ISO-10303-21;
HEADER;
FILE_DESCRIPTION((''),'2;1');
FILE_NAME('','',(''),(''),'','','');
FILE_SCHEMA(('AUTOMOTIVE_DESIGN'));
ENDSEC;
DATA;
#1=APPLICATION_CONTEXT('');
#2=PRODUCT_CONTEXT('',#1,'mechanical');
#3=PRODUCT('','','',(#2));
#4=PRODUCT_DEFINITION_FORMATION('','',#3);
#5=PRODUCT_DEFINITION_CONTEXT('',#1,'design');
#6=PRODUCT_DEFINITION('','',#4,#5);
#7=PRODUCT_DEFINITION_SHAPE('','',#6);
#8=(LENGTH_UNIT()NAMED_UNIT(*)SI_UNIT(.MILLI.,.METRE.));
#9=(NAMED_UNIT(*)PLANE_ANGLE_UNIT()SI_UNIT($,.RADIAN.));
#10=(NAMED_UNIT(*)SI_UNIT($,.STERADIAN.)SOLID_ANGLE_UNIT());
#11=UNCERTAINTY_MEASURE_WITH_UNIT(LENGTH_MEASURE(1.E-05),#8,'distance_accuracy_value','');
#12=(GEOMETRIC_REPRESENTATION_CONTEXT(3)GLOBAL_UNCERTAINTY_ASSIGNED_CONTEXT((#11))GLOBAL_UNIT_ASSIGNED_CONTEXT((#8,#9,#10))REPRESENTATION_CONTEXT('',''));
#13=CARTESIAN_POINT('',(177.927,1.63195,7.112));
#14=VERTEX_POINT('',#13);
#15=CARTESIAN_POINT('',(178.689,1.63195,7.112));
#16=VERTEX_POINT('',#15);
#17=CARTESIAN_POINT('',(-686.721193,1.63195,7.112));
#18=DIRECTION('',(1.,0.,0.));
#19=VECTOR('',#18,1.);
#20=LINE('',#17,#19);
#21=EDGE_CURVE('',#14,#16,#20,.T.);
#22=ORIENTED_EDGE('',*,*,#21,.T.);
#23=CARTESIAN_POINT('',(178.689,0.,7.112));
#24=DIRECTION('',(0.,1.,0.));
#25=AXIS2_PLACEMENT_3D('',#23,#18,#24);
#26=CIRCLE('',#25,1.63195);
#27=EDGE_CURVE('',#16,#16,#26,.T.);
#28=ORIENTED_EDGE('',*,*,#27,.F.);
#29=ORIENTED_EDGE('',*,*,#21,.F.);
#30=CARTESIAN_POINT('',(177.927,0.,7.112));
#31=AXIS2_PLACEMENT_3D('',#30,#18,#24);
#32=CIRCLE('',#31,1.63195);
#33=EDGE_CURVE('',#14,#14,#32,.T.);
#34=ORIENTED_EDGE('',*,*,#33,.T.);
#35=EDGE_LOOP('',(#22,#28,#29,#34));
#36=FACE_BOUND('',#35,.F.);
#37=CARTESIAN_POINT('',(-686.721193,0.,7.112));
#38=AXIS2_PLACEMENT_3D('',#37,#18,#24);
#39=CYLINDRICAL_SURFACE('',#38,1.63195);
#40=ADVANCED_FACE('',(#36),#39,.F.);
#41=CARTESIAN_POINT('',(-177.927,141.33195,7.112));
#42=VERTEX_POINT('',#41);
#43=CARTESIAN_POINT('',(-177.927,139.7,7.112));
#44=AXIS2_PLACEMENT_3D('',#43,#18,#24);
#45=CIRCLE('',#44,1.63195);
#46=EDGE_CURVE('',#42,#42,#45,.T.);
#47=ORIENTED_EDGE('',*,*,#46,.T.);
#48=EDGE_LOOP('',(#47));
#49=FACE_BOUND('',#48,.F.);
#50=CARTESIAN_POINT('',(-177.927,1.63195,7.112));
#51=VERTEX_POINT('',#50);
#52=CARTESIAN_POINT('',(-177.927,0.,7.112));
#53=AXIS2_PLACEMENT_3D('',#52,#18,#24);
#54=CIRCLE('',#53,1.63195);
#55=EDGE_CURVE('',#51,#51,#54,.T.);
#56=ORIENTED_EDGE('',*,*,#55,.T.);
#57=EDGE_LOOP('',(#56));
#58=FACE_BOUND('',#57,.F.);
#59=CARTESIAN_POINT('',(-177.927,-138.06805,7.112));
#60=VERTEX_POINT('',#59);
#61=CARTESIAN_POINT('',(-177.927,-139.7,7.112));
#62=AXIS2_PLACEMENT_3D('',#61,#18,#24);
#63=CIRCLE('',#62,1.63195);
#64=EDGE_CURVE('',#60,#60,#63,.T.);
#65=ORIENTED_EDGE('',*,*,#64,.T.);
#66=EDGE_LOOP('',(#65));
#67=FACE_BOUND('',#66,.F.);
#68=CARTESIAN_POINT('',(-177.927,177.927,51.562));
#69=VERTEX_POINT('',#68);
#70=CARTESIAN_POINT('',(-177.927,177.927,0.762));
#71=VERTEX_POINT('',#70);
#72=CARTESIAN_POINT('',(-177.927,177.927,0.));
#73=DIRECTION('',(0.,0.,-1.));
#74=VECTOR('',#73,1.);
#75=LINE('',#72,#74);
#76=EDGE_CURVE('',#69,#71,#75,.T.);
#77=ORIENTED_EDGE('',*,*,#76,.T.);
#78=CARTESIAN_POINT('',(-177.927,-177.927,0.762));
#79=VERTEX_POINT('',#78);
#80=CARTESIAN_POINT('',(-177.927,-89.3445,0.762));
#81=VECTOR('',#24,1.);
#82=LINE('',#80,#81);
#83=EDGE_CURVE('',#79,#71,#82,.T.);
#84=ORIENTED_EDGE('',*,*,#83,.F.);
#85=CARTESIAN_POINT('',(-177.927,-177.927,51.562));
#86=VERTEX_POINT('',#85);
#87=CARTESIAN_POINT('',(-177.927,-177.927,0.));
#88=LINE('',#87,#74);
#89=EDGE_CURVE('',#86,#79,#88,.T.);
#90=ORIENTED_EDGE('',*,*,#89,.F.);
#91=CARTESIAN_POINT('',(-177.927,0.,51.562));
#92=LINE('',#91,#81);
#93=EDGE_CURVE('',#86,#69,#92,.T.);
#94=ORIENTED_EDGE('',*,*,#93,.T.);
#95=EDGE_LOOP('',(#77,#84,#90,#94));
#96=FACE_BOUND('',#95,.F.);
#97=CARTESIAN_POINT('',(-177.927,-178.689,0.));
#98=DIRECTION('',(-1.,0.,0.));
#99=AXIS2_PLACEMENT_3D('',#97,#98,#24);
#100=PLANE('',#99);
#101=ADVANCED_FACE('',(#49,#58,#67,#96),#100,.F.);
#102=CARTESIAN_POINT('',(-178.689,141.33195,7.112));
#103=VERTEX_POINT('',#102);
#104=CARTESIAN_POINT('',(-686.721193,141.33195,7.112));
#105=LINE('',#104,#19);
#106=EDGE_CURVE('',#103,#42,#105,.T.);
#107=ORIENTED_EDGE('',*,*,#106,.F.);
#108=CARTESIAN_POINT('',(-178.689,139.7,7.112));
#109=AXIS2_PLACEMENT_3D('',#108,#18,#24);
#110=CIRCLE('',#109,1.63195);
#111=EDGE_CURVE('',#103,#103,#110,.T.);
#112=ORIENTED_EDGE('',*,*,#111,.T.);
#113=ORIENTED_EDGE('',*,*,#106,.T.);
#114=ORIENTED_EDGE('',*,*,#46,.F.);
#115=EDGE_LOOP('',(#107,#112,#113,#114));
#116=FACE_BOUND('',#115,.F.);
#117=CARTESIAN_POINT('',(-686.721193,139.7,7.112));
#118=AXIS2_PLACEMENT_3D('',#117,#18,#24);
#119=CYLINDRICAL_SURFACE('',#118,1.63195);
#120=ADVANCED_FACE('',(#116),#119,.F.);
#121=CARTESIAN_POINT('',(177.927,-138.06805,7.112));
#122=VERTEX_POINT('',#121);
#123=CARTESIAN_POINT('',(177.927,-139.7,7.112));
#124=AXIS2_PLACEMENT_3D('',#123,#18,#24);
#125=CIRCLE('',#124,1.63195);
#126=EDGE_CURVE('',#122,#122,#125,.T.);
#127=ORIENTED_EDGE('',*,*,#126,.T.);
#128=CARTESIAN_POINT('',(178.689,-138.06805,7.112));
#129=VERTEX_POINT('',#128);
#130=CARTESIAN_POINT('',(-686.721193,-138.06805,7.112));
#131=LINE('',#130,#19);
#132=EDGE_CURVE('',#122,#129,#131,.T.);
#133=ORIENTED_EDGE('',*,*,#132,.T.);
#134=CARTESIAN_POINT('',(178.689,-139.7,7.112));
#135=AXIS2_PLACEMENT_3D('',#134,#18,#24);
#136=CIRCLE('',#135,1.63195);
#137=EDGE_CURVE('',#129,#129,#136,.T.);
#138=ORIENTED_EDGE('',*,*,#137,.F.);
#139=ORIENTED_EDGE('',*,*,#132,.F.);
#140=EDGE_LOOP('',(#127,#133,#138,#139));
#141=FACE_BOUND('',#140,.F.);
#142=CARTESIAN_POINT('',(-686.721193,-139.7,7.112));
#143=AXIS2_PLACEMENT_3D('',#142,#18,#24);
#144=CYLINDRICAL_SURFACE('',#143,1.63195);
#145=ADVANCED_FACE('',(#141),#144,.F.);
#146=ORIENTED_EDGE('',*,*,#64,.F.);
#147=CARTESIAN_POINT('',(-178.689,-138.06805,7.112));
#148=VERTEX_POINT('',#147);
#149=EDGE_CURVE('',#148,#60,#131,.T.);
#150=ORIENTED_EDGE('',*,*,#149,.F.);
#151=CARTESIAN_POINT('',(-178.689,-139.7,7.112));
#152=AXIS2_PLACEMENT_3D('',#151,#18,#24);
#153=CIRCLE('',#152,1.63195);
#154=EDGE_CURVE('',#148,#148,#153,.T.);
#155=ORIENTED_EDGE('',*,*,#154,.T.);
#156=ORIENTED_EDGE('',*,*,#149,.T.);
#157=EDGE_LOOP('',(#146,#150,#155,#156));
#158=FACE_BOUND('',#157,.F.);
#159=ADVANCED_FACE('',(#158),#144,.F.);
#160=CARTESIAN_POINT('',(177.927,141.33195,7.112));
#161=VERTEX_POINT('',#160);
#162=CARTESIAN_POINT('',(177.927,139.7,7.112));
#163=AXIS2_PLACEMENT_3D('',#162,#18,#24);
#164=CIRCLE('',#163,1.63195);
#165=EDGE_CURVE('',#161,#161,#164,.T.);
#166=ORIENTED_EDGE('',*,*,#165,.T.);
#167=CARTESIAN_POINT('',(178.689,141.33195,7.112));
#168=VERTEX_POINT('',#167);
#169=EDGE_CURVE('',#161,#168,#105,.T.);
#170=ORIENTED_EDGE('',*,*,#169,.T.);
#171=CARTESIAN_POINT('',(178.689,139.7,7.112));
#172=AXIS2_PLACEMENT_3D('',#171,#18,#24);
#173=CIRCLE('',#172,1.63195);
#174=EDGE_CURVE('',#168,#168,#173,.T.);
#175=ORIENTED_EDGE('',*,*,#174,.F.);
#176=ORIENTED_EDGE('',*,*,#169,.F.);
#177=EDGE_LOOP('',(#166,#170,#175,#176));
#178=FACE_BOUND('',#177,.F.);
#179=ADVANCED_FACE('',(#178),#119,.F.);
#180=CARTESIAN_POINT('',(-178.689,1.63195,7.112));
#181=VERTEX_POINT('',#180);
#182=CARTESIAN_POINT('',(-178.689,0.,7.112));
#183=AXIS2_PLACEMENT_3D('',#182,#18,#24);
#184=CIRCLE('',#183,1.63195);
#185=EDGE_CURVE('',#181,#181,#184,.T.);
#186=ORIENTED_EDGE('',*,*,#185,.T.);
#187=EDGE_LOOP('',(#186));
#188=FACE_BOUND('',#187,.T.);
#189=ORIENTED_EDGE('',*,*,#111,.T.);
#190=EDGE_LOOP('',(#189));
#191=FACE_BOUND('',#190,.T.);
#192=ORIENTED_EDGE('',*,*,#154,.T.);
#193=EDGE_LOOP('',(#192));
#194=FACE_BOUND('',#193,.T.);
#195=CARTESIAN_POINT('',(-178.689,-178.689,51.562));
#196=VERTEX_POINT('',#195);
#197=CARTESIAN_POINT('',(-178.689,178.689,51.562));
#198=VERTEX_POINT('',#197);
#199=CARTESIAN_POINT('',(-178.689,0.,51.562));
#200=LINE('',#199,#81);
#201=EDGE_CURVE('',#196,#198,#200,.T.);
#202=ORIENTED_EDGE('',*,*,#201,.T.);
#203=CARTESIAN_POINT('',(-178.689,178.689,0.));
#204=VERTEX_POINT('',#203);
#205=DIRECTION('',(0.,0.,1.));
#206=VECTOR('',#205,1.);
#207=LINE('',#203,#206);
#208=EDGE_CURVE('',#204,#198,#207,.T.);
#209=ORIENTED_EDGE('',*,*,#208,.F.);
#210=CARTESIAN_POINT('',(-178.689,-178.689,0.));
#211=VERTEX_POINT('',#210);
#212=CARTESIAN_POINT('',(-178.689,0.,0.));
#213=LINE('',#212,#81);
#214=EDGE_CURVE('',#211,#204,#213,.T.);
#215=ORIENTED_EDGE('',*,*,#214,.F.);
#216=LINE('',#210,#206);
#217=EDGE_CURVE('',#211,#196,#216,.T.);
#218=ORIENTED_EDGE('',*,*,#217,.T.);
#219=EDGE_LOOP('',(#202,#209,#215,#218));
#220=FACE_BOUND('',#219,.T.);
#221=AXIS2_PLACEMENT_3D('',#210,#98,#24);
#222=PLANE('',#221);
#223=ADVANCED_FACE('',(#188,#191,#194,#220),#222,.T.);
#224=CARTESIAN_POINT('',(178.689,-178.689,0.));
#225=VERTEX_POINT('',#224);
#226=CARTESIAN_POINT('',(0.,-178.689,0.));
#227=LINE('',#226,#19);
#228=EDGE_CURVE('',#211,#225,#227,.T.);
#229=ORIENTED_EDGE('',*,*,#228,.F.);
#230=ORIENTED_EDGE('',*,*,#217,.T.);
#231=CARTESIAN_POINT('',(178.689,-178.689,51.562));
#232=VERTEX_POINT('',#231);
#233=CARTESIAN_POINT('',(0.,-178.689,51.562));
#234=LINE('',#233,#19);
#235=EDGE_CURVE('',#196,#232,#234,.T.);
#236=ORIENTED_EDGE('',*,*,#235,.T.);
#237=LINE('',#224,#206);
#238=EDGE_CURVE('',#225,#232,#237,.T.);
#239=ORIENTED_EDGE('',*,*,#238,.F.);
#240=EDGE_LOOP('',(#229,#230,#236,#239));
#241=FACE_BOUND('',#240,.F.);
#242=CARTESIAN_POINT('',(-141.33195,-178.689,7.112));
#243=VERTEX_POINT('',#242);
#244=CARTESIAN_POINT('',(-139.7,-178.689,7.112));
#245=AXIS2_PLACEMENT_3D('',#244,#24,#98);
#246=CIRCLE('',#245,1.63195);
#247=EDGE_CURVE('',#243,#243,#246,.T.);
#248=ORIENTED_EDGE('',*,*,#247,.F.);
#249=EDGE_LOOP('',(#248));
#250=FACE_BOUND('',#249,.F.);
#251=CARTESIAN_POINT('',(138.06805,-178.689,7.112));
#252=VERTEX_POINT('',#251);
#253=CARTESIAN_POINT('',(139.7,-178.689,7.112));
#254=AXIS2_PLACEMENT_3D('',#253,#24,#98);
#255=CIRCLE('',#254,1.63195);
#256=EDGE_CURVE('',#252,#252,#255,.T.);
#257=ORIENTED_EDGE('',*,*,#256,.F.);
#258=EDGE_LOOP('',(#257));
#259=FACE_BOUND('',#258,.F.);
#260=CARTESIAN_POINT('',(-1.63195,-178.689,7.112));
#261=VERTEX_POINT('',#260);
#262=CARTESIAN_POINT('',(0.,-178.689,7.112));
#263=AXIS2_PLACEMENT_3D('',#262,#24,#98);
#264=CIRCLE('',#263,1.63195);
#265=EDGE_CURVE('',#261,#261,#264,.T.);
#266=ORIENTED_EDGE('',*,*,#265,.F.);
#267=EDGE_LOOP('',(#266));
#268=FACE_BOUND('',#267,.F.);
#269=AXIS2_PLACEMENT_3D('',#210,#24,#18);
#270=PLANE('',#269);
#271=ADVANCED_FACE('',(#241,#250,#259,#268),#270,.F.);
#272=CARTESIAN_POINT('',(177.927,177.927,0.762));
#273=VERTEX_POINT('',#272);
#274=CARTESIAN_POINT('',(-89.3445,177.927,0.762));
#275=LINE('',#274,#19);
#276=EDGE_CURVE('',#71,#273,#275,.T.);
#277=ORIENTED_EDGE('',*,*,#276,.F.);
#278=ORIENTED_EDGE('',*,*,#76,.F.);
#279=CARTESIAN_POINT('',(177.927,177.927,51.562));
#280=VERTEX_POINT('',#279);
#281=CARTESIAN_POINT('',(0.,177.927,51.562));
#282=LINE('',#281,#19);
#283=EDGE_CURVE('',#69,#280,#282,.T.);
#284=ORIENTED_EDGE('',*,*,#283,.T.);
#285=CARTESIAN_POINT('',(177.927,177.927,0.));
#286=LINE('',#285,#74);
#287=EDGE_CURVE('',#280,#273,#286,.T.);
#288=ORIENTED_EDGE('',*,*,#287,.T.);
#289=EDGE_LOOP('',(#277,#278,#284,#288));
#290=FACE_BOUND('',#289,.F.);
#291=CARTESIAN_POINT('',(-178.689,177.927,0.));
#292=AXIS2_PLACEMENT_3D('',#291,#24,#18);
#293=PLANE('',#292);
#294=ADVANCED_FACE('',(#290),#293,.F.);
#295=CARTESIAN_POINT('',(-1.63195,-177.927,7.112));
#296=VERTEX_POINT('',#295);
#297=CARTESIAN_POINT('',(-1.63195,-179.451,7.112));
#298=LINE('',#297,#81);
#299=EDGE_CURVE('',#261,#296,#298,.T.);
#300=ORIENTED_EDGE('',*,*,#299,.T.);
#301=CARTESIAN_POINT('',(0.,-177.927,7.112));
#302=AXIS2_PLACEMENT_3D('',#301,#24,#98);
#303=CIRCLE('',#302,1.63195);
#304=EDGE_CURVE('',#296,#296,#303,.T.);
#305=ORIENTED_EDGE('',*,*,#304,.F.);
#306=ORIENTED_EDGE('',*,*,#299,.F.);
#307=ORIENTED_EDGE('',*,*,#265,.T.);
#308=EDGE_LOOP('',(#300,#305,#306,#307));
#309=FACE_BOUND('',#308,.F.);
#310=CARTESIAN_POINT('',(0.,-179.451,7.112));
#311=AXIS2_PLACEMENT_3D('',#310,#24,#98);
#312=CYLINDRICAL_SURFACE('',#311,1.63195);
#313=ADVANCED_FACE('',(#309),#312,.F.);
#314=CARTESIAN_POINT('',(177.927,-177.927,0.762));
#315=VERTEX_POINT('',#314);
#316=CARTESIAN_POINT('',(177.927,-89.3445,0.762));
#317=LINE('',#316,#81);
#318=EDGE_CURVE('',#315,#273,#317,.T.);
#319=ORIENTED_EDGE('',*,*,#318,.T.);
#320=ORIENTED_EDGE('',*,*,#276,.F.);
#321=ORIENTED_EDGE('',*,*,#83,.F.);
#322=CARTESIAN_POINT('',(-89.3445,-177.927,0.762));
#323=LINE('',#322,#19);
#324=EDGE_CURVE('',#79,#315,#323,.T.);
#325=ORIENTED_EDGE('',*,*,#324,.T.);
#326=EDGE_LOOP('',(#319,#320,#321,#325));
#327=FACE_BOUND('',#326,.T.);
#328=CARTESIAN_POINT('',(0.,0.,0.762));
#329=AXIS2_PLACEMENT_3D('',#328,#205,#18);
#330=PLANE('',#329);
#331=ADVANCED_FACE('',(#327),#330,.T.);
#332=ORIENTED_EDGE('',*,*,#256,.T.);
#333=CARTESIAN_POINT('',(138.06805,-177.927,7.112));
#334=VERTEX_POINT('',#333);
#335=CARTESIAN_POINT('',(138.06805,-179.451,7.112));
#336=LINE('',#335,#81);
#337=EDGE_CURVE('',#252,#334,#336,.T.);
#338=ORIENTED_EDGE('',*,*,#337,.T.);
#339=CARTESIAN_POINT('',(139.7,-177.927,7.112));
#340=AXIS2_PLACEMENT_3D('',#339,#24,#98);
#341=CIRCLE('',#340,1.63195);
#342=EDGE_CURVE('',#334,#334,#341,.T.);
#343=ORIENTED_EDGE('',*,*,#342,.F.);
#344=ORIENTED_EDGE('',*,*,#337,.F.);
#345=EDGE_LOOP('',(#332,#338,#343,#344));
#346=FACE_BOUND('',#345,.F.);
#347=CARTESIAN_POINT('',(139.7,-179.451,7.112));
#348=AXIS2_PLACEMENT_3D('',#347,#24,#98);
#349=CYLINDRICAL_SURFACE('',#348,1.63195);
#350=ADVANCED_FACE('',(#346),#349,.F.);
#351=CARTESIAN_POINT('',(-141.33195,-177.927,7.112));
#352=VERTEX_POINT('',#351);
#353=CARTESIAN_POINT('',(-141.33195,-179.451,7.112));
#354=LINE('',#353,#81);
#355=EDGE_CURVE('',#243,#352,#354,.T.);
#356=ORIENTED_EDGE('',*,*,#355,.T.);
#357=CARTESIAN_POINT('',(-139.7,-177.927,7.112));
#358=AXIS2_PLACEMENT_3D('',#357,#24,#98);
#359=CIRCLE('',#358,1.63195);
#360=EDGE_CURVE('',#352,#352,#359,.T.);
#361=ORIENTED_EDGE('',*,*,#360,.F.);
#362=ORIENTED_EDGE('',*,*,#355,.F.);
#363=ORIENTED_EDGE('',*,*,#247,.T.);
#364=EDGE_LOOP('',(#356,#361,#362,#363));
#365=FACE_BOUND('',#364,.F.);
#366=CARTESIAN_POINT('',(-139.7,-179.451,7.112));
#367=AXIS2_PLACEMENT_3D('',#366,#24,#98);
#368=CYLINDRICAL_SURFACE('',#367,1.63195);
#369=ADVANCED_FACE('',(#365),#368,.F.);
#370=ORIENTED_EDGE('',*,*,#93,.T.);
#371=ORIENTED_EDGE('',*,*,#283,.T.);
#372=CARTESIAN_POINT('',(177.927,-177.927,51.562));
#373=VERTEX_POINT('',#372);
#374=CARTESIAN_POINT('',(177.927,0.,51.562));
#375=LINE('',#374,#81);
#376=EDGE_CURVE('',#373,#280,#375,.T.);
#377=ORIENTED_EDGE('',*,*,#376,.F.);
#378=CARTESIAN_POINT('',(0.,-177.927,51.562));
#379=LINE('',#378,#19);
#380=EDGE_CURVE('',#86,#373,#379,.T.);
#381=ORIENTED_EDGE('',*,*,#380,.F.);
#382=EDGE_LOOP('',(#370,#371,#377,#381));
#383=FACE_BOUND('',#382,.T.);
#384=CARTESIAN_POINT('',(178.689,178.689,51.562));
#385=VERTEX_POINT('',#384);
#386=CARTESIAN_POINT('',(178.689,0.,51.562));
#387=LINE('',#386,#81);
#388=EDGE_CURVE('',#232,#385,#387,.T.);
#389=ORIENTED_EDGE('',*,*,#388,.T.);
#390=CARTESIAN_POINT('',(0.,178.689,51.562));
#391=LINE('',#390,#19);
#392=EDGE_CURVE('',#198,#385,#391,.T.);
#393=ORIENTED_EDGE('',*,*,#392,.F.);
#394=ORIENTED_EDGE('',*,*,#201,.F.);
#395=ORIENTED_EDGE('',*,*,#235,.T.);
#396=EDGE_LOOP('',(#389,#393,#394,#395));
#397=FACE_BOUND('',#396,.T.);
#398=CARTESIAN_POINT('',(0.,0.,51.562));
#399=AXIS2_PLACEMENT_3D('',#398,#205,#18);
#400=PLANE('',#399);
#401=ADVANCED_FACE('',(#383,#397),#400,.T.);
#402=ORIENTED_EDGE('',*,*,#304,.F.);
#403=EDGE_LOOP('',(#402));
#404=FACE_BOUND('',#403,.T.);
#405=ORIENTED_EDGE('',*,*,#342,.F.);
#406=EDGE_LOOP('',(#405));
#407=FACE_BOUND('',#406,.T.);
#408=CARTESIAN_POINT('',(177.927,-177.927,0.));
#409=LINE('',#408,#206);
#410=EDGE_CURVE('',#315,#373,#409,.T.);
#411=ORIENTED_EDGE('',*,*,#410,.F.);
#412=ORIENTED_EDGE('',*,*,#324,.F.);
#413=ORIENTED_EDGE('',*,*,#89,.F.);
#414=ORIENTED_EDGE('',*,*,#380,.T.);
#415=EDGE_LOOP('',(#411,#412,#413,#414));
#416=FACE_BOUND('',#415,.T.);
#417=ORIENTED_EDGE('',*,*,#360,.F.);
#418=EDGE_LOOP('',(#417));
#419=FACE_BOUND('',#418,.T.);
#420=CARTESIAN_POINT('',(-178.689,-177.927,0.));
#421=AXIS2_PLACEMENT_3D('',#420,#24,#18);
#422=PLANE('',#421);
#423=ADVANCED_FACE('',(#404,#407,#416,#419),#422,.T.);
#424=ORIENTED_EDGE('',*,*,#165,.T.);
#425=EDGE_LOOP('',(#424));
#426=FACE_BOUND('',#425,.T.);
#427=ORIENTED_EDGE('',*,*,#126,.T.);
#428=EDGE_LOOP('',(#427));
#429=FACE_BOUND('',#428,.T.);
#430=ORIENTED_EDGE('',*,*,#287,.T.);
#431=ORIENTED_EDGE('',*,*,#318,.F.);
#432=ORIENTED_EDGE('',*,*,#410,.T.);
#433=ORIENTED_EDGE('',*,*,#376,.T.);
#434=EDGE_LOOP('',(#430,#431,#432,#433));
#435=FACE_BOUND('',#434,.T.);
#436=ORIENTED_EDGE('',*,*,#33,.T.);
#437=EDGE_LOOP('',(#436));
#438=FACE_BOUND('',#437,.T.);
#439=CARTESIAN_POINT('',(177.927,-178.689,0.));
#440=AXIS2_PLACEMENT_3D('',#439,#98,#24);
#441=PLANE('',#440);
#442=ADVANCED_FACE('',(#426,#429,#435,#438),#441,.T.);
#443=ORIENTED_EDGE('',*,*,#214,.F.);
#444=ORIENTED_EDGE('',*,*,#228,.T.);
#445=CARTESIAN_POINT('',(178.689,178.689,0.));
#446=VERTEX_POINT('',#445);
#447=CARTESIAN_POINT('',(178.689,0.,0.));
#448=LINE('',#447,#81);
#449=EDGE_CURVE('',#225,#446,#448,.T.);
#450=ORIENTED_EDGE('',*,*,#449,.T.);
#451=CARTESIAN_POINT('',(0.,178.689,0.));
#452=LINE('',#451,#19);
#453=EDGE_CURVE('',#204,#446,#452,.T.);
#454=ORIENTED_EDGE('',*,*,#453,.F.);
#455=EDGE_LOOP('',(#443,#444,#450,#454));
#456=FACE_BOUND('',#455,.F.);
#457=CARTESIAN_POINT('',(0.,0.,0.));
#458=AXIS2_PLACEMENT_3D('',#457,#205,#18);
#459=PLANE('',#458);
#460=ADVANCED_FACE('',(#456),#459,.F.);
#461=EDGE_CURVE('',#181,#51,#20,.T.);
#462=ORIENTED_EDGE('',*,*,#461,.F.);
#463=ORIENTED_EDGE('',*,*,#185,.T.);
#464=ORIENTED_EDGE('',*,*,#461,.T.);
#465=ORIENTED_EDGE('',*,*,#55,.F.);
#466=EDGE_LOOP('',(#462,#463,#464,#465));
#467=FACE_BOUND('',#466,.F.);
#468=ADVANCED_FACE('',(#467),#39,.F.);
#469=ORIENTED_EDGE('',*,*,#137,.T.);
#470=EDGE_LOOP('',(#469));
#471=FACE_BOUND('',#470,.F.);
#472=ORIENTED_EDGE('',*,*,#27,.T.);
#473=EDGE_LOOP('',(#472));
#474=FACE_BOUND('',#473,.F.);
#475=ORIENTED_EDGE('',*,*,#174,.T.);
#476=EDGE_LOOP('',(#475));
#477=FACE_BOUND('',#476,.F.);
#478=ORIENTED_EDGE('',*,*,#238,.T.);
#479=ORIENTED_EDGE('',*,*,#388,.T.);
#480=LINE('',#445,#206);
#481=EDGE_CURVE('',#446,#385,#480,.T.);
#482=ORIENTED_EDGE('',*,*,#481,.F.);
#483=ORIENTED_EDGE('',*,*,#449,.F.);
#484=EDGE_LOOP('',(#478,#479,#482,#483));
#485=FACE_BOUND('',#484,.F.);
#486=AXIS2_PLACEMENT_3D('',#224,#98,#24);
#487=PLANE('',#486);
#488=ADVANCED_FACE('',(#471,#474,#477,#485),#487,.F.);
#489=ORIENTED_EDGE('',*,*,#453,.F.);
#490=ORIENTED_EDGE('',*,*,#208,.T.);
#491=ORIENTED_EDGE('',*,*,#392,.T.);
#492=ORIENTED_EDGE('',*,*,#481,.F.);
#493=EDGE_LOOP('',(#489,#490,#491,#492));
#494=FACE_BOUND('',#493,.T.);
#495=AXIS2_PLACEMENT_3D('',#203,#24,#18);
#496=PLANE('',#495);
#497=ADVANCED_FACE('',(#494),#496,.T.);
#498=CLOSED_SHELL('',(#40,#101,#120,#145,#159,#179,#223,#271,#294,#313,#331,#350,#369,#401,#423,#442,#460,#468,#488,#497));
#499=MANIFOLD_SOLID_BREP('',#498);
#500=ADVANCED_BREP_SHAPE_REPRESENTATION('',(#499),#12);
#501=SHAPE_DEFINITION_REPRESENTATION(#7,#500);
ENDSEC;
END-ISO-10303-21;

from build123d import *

# Parameters (mm, degrees)
F0_W     = 357.378
F0_H     = 357.378
F1_DEPTH = 51.562
F2_T     = -0.762
F4_D     = 3.2639
F4_DEPTH = 0.762
F4_TIP   = 0.9805744872
F6_D     = 3.2639


with BuildPart() as f1:
    # F0 (on Top) → F1 (new body)
    with BuildSketch(Plane.XY):
        Rectangle(F0_W, F0_H)
    extrude(amount=F1_DEPTH)

    # F2
    f2_openings = [f1.faces().sort_by_distance(p)[0] for p in [
        (0, 0, 51.562),
    ]]
    offset(amount=F2_T, openings=f2_openings)

    # F4
    with Locations(Plane.XZ.offset(178.689)):
        with Locations((139.7, 7.112), (0, 7.112), (-139.7, 7.112)):
            Hole(F4_D / 2, depth=F4_DEPTH)
            with Locations((0, 0, -(F4_DEPTH + F4_TIP / 2))):  # 118° drill point
                Cone(0, F4_D / 2, F4_TIP, mode=Mode.SUBTRACT)

    # F6 (through all)
    with Locations(Plane(origin=(-178.689, 0, 0), x_dir=(0, -1, 0), z_dir=(-1, 0, 0))):
        with Locations((-139.7, 7.112), (0, 7.112), (139.7, 7.112)):
            Hole(F6_D / 2)


solid = f1.part
